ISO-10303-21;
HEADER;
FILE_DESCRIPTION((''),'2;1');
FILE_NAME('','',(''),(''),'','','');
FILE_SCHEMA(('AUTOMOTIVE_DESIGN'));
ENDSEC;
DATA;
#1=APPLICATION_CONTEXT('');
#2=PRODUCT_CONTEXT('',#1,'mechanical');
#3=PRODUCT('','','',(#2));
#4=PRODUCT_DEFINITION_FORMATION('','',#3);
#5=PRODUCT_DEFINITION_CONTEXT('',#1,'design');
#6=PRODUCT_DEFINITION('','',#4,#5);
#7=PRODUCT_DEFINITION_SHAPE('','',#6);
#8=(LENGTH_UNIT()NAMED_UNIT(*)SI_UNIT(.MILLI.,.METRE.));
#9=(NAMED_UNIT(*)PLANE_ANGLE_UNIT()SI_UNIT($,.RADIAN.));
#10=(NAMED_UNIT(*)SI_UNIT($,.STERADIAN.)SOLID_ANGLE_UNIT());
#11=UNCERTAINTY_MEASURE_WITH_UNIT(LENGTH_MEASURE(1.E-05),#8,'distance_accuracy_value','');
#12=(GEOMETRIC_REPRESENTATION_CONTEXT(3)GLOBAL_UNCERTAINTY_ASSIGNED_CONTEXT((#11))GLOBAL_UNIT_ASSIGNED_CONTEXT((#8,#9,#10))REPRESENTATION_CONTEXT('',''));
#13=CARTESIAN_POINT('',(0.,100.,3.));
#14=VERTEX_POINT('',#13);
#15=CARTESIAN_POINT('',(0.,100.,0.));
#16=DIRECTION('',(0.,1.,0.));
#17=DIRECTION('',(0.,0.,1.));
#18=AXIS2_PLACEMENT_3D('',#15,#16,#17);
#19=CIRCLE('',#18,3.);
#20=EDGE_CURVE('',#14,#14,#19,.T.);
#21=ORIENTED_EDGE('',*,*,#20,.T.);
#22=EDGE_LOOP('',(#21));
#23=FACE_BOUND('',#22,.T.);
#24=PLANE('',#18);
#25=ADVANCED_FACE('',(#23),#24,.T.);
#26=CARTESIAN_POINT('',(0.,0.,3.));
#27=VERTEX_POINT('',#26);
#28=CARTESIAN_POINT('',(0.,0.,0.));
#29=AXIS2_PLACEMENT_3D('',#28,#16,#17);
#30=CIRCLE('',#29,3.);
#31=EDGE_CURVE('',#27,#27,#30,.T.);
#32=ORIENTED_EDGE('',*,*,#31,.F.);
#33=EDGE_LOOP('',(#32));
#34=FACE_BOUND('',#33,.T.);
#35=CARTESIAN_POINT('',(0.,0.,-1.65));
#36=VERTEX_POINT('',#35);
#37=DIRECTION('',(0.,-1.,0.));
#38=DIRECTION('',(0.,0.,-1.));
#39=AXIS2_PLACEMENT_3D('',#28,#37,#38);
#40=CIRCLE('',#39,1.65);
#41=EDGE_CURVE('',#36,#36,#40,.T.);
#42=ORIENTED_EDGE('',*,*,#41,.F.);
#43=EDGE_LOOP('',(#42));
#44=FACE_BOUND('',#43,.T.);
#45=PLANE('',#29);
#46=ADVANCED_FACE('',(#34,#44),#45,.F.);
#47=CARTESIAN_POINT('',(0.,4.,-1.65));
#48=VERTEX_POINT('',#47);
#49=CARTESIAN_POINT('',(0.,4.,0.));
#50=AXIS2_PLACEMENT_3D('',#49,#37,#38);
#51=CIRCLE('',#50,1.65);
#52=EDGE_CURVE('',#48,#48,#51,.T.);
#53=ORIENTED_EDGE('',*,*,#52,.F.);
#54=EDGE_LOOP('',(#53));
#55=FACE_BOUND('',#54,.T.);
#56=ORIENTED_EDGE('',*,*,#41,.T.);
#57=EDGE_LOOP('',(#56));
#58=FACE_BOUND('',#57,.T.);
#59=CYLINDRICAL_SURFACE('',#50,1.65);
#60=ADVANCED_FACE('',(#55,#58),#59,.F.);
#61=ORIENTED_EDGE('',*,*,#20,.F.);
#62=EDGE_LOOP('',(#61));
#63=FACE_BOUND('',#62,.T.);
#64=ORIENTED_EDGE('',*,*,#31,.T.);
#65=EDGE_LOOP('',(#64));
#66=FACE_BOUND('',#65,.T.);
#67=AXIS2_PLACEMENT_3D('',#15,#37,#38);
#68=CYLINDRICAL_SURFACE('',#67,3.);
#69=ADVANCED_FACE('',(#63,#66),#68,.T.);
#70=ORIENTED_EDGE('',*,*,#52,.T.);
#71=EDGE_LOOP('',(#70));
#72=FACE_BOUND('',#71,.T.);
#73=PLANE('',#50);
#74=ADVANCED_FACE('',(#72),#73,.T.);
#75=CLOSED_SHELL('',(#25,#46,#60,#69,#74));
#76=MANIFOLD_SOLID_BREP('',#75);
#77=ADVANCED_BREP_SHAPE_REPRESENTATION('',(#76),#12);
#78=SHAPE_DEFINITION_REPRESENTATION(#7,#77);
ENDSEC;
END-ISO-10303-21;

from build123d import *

# Parameters (mm, degrees)
SKIZZE2_R                       = 3
AUFSATZ_LINEAR_AUSTRAGEN1_DEPTH = 100
SKIZZE3_R                       = 1.65
SCHNITT_LINEAR_AUSTRAGEN1_DEPTH = 4


with BuildPart() as part:
    # Skizze2 → Aufsatz-Linear austragen1 (new body)
    with BuildSketch(Plane(origin=(0, 0, 0), x_dir=(1, 0, 0), z_dir=(0, 1, 0))):
        with Locations(Location((0, 0, 0), (0, 0, 270))):
            Circle(SKIZZE2_R)
    extrude(amount=AUFSATZ_LINEAR_AUSTRAGEN1_DEPTH)

    # Skizze3 → Schnitt-Linear austragen1 (cut)
    with BuildSketch(Plane(origin=(0, 0, 0), x_dir=(-1, 0, 0), z_dir=(0, -1, 0))):
        with Locations(Location((0, 0, 0), (0, 0, 90))):
            Circle(SKIZZE3_R)
    extrude(amount=-SCHNITT_LINEAR_AUSTRAGEN1_DEPTH, mode=Mode.SUBTRACT)


solid = part.part
